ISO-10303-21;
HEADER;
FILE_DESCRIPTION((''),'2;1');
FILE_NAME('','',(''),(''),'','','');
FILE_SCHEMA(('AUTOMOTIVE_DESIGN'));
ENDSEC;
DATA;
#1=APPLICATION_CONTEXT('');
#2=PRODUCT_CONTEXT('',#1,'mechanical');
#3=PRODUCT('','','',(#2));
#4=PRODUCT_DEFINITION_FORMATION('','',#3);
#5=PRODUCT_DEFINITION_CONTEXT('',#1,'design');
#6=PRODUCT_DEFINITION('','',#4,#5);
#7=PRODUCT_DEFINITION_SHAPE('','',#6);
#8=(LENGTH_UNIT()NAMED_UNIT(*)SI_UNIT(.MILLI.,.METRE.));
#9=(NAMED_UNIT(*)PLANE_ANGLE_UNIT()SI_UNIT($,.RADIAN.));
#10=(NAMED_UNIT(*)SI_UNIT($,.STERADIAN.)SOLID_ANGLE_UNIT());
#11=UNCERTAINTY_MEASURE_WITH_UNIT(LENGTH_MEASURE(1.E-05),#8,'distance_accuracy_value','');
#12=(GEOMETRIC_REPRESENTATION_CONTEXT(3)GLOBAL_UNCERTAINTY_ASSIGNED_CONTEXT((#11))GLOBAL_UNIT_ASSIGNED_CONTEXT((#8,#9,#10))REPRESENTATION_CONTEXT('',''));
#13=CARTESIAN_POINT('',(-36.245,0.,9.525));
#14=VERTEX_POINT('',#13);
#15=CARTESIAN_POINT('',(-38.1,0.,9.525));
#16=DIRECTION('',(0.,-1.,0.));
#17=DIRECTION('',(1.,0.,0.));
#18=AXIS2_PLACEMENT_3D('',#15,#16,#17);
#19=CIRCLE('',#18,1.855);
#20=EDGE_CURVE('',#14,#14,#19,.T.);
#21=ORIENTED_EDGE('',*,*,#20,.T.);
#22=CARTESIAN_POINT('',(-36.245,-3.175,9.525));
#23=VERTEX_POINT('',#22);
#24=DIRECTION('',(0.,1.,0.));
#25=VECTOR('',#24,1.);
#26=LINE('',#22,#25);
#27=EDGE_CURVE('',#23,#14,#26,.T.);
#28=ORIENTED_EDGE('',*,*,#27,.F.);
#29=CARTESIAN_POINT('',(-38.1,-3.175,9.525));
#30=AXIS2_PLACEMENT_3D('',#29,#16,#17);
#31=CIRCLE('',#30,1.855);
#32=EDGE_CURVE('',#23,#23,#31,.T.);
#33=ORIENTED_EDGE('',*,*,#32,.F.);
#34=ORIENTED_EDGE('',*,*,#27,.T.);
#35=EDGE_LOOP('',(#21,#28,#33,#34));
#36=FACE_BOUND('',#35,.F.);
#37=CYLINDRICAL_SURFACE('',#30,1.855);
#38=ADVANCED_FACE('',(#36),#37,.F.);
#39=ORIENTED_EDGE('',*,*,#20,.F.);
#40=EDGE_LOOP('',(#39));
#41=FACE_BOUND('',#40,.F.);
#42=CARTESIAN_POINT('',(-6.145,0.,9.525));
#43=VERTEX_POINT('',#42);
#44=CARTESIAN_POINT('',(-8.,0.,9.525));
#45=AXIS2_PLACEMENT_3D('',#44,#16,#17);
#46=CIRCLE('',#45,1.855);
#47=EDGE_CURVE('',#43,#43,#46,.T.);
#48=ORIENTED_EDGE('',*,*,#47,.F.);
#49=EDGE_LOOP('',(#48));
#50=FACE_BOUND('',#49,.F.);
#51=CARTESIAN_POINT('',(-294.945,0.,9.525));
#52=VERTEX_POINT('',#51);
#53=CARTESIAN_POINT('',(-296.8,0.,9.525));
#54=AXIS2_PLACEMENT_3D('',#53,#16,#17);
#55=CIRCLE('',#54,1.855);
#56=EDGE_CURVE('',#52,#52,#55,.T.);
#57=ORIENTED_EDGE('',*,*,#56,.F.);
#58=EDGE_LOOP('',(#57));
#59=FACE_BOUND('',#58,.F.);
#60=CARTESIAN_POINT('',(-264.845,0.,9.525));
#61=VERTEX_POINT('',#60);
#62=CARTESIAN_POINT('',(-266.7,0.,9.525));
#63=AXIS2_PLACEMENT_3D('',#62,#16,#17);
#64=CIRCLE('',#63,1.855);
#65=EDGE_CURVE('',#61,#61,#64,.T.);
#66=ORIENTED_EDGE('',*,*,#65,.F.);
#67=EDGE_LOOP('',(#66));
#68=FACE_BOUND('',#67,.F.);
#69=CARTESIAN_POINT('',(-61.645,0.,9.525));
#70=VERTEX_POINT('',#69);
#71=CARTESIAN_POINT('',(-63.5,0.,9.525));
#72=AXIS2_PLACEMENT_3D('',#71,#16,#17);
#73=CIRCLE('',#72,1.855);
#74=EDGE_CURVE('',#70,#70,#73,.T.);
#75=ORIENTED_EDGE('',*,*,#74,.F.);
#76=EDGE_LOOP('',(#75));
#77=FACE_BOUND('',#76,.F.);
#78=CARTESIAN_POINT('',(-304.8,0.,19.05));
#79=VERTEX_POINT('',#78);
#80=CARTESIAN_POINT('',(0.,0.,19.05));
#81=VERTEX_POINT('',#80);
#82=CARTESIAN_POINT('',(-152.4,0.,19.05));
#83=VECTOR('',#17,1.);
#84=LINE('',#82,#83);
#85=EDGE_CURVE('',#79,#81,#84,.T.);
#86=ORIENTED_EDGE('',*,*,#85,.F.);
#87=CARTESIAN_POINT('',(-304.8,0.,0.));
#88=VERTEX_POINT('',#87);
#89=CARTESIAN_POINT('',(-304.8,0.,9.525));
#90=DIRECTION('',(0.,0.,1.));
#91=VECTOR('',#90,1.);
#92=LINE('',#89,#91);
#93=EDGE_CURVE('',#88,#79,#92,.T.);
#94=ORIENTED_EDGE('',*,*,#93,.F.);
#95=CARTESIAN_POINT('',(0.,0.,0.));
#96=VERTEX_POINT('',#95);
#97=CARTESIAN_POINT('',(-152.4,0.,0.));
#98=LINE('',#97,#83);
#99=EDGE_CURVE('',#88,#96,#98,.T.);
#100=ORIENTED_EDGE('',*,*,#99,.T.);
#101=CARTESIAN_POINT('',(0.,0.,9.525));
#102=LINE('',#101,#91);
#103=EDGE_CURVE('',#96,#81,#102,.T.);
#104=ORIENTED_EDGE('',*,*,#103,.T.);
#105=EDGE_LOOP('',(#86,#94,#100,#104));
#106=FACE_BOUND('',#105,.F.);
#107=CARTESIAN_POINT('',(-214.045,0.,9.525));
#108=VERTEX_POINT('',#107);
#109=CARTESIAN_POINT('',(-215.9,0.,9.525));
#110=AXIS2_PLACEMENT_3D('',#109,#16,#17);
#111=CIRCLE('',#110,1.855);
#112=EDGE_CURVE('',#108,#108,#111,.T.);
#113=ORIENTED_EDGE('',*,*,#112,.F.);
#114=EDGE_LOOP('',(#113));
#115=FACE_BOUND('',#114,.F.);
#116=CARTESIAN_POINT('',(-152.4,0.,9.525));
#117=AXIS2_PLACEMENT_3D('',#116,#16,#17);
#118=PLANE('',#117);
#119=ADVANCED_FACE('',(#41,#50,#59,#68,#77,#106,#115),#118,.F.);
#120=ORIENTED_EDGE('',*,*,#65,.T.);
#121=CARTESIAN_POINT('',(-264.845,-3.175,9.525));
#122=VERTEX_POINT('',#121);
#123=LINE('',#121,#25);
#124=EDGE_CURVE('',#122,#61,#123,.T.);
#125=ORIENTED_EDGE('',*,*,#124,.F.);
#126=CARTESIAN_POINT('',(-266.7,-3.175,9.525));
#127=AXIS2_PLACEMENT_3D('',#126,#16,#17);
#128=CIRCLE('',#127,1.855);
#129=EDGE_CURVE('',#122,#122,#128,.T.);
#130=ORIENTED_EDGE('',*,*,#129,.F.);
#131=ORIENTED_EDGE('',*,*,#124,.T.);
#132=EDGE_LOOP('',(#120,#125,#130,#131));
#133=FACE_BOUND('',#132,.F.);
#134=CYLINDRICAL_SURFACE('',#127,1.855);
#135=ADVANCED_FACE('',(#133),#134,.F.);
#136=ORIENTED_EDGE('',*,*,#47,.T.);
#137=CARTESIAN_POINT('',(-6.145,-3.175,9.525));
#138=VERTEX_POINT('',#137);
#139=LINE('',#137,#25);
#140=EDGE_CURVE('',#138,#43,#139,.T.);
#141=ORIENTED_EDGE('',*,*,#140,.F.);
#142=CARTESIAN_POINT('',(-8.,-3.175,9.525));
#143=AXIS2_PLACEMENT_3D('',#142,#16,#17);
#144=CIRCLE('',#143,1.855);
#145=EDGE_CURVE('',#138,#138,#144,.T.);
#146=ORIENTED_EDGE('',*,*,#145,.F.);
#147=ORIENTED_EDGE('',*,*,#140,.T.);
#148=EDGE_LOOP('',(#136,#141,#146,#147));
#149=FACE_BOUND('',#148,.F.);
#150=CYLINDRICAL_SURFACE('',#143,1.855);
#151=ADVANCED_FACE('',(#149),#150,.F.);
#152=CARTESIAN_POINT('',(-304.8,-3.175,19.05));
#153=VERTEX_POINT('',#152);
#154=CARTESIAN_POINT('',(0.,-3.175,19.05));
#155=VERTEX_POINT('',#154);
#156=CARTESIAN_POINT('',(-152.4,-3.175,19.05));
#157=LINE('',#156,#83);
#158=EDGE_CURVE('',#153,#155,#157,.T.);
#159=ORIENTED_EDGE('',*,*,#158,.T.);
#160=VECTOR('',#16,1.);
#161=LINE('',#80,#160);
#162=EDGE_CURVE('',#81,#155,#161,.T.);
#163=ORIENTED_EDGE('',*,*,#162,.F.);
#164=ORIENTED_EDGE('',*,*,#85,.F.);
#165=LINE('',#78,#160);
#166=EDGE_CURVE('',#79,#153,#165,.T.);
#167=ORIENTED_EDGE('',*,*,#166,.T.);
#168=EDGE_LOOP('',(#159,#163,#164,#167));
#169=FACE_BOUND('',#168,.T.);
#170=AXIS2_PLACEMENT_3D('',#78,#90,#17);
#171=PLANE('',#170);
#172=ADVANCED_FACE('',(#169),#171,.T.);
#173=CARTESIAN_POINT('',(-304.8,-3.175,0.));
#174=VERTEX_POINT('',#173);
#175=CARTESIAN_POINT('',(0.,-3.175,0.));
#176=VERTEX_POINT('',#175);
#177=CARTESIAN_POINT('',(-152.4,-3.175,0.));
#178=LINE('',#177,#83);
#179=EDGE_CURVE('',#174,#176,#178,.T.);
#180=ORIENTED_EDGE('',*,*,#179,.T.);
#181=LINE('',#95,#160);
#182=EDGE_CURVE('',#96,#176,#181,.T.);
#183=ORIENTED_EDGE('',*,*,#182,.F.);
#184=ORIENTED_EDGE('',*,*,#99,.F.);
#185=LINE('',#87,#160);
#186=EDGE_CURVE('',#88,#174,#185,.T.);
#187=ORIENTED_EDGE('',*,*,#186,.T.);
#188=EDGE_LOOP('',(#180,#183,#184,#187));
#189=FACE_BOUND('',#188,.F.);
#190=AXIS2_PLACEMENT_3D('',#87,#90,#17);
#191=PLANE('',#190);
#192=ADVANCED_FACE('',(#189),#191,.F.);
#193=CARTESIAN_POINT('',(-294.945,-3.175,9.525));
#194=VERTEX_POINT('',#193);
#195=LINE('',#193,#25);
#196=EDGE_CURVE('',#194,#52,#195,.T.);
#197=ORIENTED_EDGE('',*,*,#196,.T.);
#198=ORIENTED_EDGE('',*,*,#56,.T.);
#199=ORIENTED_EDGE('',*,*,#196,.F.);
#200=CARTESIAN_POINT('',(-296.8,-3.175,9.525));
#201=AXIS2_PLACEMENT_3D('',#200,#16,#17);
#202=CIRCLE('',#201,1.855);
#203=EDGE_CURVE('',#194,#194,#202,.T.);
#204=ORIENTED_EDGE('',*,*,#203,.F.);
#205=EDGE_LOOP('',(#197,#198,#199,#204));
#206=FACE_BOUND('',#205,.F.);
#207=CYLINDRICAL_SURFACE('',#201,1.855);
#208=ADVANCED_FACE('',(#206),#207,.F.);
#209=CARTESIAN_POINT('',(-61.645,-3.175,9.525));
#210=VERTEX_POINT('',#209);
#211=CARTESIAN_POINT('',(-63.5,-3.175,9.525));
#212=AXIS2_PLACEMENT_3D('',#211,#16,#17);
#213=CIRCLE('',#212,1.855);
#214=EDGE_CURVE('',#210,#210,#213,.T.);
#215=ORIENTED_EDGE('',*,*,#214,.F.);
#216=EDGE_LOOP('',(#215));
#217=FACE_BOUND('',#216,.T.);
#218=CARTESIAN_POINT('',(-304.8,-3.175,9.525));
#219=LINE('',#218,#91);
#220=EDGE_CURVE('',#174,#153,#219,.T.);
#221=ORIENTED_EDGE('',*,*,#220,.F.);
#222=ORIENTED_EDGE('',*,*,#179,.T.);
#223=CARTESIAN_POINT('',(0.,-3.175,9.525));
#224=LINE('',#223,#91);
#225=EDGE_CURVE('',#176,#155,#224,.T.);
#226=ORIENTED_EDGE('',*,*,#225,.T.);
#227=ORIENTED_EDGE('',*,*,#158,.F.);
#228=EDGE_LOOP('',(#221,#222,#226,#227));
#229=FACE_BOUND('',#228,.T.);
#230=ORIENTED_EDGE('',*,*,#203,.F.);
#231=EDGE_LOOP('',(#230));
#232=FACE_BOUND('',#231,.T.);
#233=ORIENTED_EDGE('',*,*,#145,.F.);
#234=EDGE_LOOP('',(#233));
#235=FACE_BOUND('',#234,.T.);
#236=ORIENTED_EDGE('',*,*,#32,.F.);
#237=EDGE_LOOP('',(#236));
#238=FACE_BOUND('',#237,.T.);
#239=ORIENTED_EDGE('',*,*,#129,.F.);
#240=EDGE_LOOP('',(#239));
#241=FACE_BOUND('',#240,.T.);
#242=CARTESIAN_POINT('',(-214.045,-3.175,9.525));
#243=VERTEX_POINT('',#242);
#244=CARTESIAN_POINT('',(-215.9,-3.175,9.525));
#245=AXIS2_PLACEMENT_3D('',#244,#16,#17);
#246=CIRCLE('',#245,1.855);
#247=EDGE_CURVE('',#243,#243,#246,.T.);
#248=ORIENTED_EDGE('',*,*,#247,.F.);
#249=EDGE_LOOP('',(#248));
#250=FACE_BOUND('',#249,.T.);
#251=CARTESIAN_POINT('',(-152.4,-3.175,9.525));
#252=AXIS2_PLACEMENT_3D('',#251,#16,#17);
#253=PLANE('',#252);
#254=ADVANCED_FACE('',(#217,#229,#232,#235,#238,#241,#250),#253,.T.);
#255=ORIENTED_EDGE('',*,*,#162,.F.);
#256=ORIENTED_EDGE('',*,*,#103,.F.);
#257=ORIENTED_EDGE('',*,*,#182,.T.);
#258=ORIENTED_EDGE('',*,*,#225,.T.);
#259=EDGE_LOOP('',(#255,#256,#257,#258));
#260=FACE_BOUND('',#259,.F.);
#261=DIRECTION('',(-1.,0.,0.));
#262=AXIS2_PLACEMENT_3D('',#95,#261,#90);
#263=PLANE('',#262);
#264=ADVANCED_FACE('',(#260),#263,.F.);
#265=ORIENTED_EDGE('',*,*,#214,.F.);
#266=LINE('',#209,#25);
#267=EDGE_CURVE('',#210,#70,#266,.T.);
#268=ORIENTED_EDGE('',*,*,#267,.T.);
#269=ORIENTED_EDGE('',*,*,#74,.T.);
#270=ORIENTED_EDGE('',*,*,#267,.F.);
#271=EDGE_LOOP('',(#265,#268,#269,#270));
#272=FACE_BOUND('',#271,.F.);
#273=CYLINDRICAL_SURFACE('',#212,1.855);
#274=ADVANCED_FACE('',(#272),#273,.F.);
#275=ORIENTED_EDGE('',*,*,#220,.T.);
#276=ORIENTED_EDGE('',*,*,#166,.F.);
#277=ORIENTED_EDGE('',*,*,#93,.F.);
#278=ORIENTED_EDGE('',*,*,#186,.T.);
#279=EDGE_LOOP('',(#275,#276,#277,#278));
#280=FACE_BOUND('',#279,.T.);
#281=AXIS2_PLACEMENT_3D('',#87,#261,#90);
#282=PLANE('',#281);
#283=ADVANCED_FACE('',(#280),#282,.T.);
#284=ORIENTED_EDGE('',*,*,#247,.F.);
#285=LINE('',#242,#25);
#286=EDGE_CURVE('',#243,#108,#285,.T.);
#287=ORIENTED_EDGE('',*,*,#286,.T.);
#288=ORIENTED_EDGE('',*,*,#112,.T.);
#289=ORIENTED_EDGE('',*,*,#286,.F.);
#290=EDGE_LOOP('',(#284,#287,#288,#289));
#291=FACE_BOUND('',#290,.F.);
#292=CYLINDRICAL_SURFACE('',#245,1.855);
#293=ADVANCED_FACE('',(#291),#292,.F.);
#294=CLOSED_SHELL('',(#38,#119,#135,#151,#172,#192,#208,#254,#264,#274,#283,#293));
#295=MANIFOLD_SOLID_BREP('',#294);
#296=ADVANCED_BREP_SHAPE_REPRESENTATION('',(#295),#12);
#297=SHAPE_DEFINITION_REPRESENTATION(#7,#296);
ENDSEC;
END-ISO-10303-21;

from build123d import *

# Parameters (mm, degrees)
F0_W     = 304.8
F0_H     = 19.05
F1_DEPTH = 3.175
F2_R     = 1.855
F3_DEPTH = 25.4


with BuildPart() as f1:
    # F0 (on Front) → F1 (new body)
    with BuildSketch(Plane.XZ):
        with Locations((-152.4, 9.525)):
            Rectangle(F0_W, F0_H)
    extrude(amount=F1_DEPTH)

    # F2 (on face) → F3 (cut)
    with BuildSketch(Plane.XZ.offset(3.175)):
        with Locations((-296.8, 9.525)):
            Circle(F2_R)
        with Locations((-266.7, 9.525)):
            Circle(F2_R)
        with Locations((-215.9, 9.525)):
            Circle(F2_R)
        with Locations((-63.5, 9.525)):
            Circle(F2_R)
        with Locations((-38.1, 9.525)):
            Circle(F2_R)
        with Locations((-8, 9.525)):
            Circle(F2_R)
    extrude(amount=-F3_DEPTH, mode=Mode.SUBTRACT)


solid = f1.part
